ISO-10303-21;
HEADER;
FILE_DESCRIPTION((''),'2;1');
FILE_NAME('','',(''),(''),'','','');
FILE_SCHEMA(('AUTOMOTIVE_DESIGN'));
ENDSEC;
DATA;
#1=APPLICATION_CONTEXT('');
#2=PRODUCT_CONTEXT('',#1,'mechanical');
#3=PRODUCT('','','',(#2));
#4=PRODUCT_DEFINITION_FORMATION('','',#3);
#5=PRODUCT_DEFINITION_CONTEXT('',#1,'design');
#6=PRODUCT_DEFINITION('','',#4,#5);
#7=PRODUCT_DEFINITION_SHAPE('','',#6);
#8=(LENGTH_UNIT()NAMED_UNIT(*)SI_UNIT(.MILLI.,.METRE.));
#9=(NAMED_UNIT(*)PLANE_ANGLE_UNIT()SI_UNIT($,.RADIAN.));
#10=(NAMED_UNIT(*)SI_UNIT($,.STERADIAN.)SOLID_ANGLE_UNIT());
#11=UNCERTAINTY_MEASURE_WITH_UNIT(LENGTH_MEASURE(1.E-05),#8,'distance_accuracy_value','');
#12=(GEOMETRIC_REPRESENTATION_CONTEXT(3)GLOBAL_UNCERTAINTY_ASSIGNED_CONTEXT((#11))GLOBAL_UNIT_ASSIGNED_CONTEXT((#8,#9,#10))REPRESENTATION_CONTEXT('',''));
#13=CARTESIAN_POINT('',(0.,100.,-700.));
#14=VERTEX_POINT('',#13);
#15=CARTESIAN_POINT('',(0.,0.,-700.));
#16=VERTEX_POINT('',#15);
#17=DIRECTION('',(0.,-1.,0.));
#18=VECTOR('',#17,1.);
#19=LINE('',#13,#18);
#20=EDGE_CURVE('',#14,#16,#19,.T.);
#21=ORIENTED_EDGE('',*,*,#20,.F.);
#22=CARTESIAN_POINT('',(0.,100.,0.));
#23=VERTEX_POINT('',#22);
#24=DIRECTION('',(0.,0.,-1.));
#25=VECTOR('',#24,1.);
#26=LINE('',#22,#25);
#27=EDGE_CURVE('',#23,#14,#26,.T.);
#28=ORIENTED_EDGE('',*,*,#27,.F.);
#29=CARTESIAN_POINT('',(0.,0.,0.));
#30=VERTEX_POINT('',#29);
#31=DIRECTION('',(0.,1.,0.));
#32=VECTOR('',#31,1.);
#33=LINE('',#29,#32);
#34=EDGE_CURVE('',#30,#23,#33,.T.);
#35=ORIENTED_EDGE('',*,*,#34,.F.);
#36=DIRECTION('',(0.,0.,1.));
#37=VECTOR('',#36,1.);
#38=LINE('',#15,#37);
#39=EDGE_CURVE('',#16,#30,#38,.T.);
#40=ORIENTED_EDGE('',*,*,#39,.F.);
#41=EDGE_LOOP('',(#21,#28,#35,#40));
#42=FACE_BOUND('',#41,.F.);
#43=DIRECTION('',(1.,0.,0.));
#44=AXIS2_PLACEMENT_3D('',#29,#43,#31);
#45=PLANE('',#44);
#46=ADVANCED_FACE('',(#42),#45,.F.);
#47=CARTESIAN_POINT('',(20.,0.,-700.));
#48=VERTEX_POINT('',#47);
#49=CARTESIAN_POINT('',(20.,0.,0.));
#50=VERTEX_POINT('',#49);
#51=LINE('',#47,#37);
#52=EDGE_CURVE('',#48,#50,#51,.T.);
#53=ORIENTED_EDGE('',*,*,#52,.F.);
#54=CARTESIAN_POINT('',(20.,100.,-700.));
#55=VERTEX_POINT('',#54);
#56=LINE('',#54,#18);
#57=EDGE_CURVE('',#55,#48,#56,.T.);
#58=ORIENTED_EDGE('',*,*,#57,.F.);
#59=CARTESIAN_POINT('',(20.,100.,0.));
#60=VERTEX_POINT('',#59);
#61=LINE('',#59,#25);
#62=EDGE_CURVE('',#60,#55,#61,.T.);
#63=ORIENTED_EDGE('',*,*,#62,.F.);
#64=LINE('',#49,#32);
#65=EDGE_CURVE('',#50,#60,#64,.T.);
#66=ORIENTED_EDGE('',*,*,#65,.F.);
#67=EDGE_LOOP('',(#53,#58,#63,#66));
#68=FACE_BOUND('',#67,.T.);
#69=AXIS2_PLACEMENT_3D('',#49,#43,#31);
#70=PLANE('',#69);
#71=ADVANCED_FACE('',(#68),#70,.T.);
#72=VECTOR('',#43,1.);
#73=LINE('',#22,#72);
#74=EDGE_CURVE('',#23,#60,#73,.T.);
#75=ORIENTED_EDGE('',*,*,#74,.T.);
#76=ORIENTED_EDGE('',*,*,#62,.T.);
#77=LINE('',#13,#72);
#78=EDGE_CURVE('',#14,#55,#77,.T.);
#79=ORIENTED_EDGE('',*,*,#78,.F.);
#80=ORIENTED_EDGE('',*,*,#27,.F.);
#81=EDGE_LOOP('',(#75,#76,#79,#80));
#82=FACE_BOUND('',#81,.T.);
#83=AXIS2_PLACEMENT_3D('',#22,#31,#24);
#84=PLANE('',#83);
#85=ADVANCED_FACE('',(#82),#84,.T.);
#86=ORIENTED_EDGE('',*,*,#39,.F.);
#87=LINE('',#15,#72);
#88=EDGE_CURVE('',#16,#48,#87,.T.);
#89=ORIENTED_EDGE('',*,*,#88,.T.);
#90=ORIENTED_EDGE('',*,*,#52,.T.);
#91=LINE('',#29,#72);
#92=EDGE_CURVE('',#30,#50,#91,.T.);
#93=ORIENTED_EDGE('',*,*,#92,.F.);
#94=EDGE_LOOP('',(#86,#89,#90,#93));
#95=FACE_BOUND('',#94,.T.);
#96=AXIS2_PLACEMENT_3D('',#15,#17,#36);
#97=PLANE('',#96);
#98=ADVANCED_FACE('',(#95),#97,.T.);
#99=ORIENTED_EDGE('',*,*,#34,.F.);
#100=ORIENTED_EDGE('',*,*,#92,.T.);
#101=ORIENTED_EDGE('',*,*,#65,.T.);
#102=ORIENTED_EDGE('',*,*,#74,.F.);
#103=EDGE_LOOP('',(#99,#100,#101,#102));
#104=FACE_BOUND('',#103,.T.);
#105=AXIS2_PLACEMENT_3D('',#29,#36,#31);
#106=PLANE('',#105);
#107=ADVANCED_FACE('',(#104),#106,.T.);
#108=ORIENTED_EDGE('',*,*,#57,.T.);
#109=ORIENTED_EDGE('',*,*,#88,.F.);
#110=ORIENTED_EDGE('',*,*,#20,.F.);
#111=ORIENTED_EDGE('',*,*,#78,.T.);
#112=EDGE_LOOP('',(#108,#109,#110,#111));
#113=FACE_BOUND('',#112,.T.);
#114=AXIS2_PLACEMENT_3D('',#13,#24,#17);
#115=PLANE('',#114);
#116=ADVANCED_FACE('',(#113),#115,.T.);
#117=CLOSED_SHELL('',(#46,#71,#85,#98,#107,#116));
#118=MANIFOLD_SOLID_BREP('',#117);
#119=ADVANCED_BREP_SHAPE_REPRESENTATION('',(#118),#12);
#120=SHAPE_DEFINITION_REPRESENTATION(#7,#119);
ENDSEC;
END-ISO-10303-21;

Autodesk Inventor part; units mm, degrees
ref_plane "YZ Plane" through (0, 0, 0) normal (1, 0, 0) x (0, 1, 0)
ref_plane "XZ Plane" through (0, 0, 0) normal (0, 1, 0) x (-1, 0, 0)
ref_plane "XY Plane" through (0, 0, 0) normal (0, 0, 1) x (1, 0, 0)
sketch "Sketch1" plane through (0, 0, 0) normal (1, 0, 0) x (0, 1, 0)
  line L0 (0, 0) -> (100, 0)
  line L1 (100, 0) -> (100, -700)
  line L2 (100, -700) -> (0, -700)
  line L3 (0, -700) -> (0, 0)
  dimension "d0" = 100
  dimension "d1" = 700
extrude "Extrusion1" add sketch "Sketch1" along normal blind 20
properties part number "internal border long"
